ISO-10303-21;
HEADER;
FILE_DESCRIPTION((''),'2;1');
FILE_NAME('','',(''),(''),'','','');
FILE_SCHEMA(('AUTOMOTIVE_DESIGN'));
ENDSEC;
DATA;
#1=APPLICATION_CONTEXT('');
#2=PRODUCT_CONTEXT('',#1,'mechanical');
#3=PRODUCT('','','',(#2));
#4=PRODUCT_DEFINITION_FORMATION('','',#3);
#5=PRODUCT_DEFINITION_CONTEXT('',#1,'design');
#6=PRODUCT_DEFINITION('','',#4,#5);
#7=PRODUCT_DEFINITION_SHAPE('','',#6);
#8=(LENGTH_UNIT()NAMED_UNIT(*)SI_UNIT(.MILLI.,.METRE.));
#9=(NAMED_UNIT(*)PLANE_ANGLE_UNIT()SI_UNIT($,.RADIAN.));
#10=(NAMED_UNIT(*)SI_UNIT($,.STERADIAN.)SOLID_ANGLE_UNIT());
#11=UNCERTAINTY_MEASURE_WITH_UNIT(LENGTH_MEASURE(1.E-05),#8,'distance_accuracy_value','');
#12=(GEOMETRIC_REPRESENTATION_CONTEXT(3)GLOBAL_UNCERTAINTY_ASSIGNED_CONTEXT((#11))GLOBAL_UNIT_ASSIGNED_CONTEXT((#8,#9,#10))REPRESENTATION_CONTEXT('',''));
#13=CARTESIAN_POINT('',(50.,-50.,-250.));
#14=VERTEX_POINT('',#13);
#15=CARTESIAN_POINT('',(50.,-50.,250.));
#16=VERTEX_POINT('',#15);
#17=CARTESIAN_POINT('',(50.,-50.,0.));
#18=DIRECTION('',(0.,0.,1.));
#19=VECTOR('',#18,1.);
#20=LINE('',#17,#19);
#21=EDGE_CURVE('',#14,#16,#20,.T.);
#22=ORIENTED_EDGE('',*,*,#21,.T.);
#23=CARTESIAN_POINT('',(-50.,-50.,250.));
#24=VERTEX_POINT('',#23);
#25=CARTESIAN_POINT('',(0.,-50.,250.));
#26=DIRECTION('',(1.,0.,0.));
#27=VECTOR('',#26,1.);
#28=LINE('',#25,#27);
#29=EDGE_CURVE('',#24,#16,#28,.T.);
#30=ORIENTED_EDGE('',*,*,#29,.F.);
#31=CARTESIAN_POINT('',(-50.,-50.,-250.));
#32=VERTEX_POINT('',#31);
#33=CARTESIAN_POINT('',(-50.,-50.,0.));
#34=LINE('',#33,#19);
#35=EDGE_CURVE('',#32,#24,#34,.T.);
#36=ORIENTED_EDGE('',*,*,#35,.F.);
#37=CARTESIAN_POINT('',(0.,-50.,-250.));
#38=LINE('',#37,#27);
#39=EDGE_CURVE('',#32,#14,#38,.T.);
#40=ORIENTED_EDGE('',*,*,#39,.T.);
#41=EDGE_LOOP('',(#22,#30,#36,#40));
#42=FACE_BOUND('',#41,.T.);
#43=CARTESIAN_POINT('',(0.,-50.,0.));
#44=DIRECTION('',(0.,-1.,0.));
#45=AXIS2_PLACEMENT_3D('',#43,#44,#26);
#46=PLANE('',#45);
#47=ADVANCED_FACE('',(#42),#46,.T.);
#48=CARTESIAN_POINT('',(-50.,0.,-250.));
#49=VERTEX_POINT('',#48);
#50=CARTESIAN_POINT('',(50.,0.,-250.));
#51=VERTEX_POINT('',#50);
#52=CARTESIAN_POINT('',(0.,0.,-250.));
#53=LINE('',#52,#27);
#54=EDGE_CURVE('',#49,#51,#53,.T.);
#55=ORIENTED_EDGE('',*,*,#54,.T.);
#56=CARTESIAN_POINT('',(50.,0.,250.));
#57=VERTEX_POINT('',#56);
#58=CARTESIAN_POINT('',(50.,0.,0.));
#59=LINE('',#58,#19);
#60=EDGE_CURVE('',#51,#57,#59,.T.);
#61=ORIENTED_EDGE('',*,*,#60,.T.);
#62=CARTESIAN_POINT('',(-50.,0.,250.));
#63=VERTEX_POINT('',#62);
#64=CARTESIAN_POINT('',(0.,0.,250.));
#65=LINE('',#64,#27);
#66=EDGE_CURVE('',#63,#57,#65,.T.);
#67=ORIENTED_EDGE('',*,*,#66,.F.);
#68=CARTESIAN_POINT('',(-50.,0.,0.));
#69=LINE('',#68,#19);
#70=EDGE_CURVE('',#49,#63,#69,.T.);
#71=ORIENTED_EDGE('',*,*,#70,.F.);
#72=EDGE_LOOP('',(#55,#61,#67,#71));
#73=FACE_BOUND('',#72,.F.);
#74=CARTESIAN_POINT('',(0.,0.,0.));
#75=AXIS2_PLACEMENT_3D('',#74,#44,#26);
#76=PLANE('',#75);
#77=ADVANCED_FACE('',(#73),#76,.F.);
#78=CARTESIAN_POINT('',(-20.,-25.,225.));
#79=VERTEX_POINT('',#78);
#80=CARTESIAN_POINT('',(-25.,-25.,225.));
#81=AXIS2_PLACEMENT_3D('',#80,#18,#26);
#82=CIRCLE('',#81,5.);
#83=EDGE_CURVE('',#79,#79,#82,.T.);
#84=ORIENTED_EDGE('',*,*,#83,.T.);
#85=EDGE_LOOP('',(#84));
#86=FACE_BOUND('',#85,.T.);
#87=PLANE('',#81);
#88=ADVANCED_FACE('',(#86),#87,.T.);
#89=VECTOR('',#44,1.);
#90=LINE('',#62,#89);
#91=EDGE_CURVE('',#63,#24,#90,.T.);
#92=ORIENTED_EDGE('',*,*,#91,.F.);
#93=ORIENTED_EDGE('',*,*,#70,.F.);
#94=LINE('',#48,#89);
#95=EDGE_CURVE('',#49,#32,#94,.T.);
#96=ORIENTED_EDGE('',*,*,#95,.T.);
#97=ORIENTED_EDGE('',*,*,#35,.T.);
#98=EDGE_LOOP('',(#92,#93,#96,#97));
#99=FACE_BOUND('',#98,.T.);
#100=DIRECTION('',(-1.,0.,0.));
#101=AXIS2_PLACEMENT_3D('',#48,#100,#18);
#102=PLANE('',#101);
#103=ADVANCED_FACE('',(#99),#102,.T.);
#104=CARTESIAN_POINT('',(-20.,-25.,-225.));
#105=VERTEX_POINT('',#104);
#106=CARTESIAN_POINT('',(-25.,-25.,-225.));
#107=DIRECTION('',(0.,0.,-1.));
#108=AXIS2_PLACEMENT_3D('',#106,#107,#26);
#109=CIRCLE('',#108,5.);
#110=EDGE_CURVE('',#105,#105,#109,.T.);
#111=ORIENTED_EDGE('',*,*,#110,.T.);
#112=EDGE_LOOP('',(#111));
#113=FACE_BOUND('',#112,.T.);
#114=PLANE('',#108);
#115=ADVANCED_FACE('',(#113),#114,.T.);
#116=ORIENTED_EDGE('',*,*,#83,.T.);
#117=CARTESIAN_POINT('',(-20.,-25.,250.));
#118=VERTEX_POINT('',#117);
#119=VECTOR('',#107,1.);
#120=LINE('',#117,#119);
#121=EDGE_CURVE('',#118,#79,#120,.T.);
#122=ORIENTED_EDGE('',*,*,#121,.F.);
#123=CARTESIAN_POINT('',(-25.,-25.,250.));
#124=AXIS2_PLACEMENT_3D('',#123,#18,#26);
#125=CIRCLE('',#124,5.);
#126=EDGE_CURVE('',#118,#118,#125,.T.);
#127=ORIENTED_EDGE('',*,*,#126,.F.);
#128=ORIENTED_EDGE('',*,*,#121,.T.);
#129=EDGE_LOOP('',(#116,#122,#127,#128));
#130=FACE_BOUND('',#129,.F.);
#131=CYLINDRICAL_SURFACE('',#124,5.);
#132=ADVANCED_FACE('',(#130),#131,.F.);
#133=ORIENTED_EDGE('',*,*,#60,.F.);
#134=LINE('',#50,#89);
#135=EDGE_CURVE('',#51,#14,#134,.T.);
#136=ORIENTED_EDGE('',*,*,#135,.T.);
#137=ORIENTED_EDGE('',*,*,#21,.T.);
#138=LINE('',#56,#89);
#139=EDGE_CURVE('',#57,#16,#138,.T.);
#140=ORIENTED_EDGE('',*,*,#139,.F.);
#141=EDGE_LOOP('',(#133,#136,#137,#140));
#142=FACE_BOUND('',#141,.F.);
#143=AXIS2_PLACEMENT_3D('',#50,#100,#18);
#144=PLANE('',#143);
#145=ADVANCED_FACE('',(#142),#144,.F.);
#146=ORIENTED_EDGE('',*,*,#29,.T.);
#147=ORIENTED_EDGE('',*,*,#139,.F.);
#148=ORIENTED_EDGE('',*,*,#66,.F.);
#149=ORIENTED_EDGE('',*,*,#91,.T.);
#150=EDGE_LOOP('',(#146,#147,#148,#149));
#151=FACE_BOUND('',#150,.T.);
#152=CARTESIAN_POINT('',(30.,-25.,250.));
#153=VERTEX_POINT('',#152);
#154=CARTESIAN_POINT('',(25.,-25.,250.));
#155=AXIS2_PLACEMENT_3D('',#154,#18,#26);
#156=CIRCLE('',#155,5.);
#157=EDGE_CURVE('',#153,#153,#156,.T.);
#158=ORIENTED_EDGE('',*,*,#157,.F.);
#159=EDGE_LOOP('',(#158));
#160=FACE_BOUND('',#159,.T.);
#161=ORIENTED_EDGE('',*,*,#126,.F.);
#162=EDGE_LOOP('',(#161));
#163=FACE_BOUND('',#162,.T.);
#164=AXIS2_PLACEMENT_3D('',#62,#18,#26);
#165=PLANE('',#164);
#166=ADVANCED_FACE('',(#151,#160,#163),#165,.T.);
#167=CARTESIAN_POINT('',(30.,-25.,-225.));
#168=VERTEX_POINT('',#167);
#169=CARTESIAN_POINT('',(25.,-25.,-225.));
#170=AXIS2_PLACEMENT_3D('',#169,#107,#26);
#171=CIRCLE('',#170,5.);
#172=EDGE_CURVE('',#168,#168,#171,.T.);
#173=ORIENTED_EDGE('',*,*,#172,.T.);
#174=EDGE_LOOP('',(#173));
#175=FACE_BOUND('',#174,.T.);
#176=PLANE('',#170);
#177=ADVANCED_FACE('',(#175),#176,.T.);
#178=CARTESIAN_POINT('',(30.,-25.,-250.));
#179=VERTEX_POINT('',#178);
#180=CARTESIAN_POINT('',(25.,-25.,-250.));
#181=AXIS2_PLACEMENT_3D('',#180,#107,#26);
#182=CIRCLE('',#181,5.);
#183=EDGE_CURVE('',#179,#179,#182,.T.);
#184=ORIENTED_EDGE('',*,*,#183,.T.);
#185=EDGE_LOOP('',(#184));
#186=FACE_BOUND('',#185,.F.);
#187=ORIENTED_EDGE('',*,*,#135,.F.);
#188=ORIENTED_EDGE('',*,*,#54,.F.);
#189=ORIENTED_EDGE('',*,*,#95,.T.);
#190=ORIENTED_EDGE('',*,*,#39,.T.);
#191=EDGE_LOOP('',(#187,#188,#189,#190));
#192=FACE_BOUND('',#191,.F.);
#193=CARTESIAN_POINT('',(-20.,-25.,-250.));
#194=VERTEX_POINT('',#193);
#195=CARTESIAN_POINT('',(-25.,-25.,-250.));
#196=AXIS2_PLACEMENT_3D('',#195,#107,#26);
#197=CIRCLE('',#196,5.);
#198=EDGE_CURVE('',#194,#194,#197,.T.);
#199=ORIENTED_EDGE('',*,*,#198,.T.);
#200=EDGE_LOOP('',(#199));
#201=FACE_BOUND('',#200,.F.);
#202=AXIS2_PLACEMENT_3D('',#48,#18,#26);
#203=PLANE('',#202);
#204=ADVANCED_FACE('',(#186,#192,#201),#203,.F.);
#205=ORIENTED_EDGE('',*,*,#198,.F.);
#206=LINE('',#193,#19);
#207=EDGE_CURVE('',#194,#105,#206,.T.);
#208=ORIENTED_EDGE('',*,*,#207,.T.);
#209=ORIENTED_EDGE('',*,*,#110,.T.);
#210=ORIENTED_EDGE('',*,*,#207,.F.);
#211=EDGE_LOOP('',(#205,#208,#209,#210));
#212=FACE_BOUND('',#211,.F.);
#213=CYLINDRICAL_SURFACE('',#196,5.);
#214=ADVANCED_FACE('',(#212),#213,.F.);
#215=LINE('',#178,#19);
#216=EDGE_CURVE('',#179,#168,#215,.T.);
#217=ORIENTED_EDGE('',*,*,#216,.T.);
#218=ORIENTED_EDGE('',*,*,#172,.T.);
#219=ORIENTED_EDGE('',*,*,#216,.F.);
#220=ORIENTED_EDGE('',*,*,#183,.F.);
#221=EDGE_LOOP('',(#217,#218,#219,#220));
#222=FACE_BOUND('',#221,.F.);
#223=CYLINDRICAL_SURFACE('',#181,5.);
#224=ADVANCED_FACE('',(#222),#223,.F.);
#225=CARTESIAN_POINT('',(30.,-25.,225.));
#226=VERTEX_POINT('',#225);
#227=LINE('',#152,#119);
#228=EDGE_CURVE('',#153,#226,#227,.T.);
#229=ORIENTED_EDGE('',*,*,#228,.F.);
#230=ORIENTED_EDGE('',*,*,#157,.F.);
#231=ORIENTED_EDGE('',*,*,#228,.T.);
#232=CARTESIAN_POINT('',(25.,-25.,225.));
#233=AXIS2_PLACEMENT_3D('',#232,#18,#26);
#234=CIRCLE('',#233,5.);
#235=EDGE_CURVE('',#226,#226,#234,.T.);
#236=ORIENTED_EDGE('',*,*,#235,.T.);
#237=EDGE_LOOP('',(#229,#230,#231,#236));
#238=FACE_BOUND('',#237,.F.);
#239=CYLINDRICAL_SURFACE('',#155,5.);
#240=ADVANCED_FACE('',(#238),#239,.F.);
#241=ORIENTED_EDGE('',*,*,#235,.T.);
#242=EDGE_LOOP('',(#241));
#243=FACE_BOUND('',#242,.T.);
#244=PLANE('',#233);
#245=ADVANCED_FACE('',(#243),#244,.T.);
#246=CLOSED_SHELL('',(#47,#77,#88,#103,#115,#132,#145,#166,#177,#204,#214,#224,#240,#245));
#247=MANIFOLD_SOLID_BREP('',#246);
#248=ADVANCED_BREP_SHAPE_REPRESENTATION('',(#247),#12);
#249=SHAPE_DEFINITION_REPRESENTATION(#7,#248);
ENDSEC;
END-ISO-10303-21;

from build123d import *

# Parameters (mm, degrees)
F0_W     = 100
F0_H     = 500
F1_DEPTH = 50
F2_R     = 5
F3_DEPTH = 25
F4_R     = 5
F5_DEPTH = 25


with BuildPart() as f1:
    # F0 (on Front) → F1 (new body)
    with BuildSketch(Plane.XZ):
        Rectangle(F0_W, F0_H)
    extrude(amount=F1_DEPTH)

    # F2 (on face) → F3 (cut)
    with BuildSketch(Plane.XY.offset(250)):
        with Locations((-25, -25)):
            Circle(F2_R)
        with Locations((25, -25)):
            Circle(F2_R)
    extrude(amount=-F3_DEPTH, mode=Mode.SUBTRACT)

    # F4 (on face) → F5 (cut)
    with BuildSketch(Plane(origin=(0, 0, -250), x_dir=(1, 0, 0), z_dir=(0, 0, -1))):
        with Locations((25, 25)):
            Circle(F4_R)
        with Locations((-25, 25)):
            Circle(F4_R)
    extrude(amount=-F5_DEPTH, mode=Mode.SUBTRACT)


solid = f1.part
